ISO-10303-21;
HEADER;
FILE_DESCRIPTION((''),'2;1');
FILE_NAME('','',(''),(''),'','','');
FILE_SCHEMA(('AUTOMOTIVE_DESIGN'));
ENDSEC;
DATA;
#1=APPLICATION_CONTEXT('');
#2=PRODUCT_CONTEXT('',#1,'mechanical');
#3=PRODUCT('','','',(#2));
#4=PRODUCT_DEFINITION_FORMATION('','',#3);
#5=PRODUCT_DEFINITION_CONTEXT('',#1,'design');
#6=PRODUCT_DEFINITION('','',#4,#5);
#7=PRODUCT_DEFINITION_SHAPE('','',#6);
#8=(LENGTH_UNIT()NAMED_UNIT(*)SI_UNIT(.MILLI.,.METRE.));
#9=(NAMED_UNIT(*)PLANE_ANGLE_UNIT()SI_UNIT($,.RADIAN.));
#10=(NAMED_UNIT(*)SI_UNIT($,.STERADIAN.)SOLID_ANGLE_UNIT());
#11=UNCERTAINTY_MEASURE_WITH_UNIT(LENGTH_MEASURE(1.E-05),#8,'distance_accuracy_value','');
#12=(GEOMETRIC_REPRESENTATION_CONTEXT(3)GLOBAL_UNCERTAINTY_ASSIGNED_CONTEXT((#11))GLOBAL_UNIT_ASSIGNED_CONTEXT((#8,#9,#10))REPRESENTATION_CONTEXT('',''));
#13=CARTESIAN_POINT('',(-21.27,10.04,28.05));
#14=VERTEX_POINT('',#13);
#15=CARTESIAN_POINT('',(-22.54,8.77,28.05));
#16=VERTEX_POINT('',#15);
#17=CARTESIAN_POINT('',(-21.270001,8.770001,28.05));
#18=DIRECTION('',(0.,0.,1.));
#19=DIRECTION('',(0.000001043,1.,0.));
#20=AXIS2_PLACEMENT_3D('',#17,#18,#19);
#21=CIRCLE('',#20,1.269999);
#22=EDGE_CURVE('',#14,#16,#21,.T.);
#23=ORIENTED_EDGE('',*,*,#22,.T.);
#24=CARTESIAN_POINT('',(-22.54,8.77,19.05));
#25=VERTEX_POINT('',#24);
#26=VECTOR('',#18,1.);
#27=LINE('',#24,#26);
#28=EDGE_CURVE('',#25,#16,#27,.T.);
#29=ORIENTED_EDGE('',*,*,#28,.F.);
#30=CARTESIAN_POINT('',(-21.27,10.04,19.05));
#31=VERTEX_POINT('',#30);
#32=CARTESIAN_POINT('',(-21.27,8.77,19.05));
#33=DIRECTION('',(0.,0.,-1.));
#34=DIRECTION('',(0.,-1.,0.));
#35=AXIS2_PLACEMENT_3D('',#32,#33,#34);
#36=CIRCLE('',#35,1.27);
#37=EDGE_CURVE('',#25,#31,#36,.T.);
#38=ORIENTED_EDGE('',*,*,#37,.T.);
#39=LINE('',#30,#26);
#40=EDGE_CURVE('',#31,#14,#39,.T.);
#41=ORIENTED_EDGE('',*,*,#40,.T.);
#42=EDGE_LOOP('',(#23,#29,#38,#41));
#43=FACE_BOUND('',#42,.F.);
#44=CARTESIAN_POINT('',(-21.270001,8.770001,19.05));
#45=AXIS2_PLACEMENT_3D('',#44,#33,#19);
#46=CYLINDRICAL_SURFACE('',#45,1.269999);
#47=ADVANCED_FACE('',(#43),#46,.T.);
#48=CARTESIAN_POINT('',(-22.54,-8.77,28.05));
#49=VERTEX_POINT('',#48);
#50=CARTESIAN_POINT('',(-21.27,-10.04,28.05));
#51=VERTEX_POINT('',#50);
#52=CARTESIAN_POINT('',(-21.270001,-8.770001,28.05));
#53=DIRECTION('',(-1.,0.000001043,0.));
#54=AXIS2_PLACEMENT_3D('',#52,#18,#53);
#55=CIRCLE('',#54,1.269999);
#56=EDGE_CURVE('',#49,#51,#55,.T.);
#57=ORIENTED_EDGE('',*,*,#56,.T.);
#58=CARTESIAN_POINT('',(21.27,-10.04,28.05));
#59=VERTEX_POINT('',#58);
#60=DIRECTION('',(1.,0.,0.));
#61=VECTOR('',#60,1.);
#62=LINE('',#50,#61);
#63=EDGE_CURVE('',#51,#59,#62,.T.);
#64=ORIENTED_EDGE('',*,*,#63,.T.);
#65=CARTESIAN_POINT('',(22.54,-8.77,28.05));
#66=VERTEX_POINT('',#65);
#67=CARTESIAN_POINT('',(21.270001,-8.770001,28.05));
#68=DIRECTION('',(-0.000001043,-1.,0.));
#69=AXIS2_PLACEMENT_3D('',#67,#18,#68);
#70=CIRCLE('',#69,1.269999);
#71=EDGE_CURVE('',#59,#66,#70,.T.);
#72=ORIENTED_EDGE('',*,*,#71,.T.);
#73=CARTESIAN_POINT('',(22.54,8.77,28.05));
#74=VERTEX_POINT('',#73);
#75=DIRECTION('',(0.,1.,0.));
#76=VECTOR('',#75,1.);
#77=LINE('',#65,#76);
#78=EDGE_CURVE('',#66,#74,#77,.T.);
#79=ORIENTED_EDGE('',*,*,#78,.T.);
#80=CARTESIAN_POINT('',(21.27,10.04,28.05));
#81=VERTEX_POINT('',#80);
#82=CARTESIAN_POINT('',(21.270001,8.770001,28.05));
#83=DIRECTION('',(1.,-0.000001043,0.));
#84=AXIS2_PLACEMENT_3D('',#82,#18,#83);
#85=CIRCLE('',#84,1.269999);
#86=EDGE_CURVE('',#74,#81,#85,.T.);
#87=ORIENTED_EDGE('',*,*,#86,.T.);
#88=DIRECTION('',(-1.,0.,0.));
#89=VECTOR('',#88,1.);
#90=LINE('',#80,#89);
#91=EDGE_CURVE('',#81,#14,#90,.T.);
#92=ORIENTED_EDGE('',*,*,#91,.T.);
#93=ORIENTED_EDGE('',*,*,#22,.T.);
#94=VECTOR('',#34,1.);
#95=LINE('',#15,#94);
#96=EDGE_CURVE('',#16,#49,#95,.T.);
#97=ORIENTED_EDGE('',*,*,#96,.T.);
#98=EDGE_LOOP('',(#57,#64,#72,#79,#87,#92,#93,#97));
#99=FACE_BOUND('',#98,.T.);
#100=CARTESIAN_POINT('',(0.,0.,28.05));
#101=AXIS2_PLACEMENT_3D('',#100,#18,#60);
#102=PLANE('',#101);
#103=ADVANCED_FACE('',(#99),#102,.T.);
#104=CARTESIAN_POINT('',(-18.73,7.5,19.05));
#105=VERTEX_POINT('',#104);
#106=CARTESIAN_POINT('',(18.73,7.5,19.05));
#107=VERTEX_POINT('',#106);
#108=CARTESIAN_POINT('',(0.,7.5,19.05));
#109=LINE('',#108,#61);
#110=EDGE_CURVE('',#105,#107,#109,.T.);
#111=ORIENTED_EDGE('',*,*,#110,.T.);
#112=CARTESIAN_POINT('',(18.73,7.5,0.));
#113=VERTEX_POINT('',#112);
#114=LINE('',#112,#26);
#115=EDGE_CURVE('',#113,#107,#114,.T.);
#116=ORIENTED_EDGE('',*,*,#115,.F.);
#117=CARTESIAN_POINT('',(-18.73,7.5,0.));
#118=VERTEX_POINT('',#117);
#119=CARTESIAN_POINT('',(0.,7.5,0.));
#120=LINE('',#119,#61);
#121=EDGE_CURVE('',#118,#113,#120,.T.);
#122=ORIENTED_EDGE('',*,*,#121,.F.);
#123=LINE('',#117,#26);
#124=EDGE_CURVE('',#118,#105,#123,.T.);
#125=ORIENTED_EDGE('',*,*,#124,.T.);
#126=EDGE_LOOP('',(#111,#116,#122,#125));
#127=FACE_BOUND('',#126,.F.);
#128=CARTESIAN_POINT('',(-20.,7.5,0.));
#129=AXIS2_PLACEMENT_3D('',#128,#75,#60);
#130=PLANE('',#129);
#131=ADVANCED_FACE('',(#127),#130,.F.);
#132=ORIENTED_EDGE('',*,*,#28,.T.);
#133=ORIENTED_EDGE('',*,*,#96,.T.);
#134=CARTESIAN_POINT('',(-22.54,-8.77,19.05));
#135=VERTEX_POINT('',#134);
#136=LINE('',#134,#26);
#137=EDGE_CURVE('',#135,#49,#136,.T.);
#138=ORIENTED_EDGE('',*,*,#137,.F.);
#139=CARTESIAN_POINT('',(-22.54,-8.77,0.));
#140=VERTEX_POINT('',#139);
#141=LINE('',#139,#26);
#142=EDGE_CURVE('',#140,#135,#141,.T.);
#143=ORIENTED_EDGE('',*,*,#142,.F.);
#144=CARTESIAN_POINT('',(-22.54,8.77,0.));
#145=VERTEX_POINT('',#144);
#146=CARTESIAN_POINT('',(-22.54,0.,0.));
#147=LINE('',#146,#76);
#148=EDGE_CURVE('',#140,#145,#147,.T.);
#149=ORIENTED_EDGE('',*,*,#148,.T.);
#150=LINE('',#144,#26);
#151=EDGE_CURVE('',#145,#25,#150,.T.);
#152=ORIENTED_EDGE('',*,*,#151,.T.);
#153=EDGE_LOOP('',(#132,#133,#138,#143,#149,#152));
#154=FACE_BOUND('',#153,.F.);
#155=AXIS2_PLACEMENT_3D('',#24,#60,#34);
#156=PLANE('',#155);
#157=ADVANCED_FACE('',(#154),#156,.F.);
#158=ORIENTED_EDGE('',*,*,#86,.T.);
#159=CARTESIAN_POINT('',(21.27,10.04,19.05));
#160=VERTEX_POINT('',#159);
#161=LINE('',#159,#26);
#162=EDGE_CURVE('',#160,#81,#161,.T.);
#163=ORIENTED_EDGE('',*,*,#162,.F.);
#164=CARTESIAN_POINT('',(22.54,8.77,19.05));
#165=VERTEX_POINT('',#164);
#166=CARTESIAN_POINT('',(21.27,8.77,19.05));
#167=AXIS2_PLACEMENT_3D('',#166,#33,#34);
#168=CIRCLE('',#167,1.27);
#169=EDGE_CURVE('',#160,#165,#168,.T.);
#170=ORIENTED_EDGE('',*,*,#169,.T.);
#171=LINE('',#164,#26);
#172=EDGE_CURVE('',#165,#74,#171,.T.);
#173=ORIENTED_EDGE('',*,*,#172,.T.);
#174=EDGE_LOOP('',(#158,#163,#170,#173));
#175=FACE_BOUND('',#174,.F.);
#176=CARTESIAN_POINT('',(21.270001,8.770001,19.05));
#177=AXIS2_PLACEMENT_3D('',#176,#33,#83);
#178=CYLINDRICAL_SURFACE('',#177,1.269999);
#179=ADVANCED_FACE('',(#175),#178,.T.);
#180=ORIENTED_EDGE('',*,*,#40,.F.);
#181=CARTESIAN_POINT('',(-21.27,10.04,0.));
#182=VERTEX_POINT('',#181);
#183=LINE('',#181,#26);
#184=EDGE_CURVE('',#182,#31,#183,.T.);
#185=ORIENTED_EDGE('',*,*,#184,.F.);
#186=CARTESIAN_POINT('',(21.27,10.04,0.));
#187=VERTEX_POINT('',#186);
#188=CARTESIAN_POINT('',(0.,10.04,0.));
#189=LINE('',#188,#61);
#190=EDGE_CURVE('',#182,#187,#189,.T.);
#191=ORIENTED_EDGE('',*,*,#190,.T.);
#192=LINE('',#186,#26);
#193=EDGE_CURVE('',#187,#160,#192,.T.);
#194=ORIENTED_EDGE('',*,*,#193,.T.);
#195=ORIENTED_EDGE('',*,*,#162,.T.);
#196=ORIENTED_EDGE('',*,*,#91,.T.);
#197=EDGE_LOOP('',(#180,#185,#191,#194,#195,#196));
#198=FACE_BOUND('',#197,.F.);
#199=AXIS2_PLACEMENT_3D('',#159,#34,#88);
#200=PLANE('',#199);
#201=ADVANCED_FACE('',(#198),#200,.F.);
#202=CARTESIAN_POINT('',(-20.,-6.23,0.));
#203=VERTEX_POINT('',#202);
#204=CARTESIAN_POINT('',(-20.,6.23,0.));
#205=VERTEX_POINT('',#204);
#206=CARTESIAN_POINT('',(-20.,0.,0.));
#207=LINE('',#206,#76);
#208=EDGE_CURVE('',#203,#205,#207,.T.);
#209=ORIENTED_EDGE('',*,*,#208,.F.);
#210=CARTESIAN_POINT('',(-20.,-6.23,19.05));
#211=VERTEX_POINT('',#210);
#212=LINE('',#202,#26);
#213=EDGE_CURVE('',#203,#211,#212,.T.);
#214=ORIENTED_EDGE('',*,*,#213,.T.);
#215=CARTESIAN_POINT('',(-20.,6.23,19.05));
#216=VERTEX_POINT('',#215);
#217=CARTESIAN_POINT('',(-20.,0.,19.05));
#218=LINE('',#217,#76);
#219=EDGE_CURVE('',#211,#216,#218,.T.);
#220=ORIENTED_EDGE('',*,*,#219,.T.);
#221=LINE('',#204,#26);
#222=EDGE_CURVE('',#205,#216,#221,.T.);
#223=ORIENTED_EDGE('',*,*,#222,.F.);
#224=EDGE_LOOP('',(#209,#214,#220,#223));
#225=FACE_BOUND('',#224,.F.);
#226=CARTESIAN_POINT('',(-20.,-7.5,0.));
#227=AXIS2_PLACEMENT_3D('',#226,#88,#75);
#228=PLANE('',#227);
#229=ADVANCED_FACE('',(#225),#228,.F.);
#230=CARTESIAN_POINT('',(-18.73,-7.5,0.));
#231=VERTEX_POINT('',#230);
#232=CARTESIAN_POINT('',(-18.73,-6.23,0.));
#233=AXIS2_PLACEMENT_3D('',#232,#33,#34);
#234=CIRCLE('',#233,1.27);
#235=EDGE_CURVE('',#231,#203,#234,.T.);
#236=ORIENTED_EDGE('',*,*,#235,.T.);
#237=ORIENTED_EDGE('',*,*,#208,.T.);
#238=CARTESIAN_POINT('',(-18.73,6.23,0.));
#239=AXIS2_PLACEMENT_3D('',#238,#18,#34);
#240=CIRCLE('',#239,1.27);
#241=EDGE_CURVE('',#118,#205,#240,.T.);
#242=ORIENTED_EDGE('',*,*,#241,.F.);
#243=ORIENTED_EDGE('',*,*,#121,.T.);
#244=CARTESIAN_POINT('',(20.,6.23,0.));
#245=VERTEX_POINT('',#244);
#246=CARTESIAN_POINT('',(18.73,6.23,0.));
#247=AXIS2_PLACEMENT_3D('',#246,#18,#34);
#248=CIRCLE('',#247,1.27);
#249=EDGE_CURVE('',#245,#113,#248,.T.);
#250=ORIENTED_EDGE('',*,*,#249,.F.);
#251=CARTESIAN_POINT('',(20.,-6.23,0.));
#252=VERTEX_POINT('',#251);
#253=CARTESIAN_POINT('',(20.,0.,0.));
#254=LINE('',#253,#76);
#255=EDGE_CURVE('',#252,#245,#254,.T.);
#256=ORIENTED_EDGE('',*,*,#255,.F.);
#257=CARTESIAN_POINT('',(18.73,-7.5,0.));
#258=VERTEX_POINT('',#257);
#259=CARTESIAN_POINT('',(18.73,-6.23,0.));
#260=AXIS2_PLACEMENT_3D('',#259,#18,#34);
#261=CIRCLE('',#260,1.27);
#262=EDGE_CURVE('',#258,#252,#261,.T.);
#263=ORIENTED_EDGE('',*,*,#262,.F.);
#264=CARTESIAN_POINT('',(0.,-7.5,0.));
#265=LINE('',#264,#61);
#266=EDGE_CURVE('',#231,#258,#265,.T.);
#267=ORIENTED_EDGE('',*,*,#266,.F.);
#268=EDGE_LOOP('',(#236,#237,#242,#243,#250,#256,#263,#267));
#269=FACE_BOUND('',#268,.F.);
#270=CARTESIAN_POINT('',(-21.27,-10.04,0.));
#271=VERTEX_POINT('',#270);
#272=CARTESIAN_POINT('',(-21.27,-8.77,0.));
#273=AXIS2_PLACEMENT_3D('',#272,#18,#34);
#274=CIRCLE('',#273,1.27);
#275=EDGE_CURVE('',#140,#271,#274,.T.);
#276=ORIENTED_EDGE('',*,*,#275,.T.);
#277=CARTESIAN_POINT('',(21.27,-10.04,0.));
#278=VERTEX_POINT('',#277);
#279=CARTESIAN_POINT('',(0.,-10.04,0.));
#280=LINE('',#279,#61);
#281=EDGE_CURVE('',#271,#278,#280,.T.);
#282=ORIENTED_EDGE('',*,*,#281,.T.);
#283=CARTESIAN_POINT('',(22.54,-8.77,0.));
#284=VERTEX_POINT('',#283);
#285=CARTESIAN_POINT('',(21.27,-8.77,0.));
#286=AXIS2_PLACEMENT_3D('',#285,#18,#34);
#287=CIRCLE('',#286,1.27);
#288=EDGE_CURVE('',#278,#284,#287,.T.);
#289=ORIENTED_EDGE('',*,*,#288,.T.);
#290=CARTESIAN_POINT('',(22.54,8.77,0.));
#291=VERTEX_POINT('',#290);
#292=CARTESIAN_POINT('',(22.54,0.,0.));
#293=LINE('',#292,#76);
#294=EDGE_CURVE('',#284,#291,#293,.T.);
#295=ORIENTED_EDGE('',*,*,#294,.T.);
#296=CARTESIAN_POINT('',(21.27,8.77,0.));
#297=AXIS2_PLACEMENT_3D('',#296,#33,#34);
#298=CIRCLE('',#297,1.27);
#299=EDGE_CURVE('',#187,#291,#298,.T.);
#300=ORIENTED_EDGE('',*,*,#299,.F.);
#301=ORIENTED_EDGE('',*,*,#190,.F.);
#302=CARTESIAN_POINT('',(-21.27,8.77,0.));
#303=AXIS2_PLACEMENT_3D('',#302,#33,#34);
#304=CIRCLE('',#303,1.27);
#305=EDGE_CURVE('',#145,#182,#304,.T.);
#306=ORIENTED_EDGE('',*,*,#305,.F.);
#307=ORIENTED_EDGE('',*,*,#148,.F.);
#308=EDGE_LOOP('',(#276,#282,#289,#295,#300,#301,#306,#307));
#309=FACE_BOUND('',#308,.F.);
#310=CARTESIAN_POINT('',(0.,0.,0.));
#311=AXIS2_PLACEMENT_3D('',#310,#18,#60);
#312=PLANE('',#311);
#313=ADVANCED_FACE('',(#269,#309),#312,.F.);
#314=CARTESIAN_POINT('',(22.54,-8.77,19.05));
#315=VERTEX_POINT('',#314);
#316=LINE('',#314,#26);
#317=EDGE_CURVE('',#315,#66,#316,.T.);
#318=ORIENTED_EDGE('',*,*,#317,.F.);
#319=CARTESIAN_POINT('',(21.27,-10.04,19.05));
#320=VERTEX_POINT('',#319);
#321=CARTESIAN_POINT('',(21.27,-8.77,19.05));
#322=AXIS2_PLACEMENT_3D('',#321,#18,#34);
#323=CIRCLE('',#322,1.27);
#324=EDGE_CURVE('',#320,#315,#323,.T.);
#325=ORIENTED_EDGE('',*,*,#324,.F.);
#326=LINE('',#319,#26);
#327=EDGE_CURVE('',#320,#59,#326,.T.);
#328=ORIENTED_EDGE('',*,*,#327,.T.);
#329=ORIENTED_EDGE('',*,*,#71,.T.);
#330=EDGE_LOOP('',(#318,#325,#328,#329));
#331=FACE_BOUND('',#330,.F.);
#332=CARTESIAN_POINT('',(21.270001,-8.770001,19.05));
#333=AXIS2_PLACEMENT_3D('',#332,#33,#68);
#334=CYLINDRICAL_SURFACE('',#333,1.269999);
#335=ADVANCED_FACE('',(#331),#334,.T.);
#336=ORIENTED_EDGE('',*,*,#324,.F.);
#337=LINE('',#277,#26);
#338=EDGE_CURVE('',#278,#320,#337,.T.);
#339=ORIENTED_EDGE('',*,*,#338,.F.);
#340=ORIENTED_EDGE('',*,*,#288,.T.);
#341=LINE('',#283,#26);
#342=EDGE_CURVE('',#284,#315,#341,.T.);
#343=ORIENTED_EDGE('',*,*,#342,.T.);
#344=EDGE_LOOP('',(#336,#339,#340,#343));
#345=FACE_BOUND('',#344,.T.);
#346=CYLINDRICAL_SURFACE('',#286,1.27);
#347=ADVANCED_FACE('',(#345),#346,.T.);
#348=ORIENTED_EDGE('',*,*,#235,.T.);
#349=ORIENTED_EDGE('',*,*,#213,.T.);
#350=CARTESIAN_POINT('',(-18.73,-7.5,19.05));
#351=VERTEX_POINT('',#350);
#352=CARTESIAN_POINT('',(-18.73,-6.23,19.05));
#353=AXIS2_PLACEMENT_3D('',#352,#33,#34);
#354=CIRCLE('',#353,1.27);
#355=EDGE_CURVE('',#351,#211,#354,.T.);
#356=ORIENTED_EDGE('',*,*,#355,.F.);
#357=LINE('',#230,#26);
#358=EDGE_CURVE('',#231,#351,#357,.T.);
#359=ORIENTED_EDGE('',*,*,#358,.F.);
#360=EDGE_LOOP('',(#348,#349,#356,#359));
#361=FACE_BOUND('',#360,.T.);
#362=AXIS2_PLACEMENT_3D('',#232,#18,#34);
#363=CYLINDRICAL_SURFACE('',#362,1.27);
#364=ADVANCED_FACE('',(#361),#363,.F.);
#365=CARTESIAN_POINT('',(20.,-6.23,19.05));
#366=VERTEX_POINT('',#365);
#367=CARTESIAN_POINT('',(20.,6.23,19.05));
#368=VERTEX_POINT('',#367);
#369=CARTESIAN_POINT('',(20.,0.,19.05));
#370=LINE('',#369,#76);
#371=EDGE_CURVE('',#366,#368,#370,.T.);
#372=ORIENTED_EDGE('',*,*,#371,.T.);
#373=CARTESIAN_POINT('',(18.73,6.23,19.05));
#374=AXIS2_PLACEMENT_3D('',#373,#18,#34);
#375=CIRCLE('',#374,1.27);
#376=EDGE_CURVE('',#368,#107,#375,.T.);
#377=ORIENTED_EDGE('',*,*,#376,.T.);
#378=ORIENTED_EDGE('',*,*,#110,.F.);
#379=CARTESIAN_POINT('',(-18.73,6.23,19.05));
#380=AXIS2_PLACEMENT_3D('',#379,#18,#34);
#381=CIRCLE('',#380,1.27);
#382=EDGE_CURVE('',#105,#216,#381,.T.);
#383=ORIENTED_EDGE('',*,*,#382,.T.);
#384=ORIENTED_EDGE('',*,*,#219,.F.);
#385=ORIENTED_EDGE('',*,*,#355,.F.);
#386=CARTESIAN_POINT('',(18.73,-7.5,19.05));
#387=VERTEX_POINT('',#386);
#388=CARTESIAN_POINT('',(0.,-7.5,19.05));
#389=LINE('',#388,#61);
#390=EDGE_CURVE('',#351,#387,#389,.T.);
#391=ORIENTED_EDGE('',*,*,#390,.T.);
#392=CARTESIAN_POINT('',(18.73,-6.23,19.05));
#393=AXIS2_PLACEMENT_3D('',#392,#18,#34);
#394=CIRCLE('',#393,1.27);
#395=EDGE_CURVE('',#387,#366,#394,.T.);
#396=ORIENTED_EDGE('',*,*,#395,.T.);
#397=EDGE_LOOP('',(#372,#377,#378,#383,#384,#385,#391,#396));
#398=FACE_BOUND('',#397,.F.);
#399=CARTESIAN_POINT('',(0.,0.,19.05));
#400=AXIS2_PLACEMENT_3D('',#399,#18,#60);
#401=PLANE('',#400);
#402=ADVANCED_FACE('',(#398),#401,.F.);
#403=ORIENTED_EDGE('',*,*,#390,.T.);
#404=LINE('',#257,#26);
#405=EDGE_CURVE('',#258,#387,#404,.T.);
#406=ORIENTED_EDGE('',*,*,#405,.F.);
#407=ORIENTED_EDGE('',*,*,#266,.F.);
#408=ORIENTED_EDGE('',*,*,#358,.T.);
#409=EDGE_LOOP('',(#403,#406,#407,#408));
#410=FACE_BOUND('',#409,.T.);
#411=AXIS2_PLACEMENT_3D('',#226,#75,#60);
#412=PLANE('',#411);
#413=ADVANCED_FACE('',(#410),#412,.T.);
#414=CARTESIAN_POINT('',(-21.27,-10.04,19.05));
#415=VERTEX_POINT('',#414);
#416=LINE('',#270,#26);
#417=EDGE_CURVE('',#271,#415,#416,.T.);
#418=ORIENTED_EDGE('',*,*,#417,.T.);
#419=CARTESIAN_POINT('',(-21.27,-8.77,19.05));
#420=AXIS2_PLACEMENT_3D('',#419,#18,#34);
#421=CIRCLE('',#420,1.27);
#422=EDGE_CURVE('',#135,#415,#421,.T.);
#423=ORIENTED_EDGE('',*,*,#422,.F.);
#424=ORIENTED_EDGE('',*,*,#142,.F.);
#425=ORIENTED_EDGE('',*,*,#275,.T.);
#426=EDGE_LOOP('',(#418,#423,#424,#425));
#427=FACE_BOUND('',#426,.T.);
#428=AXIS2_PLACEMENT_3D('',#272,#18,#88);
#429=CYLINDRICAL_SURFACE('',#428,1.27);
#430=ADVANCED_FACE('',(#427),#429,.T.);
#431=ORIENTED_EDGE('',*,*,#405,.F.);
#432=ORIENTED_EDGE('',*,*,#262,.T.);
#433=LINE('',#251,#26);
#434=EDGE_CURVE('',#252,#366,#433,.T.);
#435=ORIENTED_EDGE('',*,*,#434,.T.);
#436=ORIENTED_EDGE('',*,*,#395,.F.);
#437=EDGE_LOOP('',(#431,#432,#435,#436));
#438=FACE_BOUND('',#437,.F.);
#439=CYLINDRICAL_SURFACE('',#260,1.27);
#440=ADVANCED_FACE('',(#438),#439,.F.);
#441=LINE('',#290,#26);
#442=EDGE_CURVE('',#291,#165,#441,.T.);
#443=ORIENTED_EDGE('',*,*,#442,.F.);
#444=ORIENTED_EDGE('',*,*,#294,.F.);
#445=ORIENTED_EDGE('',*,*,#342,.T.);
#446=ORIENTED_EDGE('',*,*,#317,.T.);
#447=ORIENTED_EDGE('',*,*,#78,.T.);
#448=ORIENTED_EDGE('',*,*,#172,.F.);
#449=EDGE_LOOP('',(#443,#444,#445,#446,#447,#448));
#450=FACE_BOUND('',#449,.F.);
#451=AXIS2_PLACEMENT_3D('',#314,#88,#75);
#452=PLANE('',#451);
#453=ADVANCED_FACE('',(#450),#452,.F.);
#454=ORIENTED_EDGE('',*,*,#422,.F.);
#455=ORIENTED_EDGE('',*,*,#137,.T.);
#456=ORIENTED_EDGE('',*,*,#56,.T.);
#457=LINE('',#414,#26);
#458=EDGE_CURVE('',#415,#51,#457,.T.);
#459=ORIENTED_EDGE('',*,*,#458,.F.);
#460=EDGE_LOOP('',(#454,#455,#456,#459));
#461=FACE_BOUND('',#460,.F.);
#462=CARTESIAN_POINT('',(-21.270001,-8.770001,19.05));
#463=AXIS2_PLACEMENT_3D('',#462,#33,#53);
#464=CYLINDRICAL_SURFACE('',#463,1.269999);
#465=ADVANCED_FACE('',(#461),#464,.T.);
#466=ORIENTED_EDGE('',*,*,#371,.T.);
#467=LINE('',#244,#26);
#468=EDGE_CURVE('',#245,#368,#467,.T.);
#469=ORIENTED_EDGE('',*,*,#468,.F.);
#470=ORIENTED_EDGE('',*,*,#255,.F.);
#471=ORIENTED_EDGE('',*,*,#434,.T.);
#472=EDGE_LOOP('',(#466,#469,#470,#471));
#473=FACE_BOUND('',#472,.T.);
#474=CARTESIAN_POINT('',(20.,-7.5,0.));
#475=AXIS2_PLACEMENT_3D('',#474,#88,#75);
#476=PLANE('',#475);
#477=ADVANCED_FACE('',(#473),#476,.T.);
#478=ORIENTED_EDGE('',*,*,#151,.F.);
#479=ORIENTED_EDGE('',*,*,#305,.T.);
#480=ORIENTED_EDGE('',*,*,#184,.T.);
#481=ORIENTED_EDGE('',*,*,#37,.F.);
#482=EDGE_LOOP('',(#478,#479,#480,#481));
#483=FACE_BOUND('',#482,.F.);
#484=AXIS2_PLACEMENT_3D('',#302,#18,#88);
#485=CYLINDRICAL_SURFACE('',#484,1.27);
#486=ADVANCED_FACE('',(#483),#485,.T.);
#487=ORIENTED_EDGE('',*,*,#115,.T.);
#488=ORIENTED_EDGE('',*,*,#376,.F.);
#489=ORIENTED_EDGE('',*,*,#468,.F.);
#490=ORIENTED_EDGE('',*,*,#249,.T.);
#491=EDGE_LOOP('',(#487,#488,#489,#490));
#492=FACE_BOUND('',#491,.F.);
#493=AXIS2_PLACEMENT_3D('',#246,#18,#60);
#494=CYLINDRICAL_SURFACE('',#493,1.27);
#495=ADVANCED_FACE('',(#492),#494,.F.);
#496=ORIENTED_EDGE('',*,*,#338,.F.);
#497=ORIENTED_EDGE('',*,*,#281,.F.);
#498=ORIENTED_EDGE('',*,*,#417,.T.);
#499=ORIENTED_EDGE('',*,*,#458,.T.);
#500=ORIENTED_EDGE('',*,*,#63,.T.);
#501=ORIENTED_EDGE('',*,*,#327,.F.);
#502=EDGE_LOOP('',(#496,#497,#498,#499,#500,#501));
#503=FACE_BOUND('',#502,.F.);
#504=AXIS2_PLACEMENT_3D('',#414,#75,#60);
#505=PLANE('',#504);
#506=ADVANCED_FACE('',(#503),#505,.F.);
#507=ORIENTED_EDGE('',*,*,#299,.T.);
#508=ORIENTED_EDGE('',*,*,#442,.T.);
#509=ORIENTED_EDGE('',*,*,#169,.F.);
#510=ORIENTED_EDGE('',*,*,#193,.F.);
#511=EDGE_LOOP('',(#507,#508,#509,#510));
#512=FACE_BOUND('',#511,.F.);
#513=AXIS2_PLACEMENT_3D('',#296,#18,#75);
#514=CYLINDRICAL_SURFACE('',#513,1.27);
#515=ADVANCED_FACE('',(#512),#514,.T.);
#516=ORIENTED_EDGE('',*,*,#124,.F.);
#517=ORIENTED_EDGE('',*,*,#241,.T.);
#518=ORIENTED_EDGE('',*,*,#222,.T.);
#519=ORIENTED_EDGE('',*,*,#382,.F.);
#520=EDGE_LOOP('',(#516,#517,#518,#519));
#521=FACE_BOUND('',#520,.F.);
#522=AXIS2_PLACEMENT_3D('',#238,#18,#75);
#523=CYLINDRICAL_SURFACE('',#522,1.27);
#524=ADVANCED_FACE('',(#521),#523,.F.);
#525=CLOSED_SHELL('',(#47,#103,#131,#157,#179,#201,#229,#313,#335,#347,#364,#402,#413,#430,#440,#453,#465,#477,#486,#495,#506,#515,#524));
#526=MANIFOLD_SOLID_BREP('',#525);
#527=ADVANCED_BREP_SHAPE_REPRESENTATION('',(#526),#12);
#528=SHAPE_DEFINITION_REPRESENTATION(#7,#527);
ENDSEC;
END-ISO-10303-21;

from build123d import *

# Parameters (mm, degrees)
F0_W     = 45.08
F0_H     = 20.08
F0_W_2   = 40
F0_H_2   = 15
F1_DEPTH = 19.05
F2_R     = 1.27
F4_DEPTH = 9


with BuildPart() as f1:
    # F0 (on Top) → F1 (new body)
    with BuildSketch(Plane.XY):
        Rectangle(F0_W, F0_H)
        Rectangle(F0_W_2, F0_H_2, mode=Mode.SUBTRACT)
    extrude(amount=F1_DEPTH)

    # F2
    f2_edges = [f1.edges().sort_by_distance(p)[0] for p in [
        (-20, 7.5, 9.525),
        (-20, -7.5, 9.525),
        (20, 7.5, 9.525),
        (20, -7.5, 9.525),
        (-22.54, -10.04, 9.525),
        (-22.54, 10.04, 9.525),
        (22.54, -10.04, 9.525),
        (22.54, 10.04, 9.525),
    ]]
    fillet(f2_edges, radius=F2_R)

    # F3 (on face) → F4 (join)
    with BuildSketch(Plane.XY.offset(19.05)):
        with BuildLine():
            Line((21.27, 10.04), (-21.27, 10.04))
            ThreePointArc((-21.27, 10.04), (-22.168026, 9.668026), (-22.54, 8.77))
            Line((-22.54, 8.77), (-22.54, -8.77))
            ThreePointArc((-22.54, -8.77), (-22.168026, -9.668026), (-21.27, -10.04))
            Line((-21.27, -10.04), (21.27, -10.04))
            ThreePointArc((21.27, -10.04), (22.168026, -9.668026), (22.54, -8.77))
            Line((22.54, -8.77), (22.54, 8.77))
            ThreePointArc((22.54, 8.77), (22.168026, 9.668026), (21.27, 10.04))
        make_face()
    extrude(amount=F4_DEPTH)


solid = f1.part
